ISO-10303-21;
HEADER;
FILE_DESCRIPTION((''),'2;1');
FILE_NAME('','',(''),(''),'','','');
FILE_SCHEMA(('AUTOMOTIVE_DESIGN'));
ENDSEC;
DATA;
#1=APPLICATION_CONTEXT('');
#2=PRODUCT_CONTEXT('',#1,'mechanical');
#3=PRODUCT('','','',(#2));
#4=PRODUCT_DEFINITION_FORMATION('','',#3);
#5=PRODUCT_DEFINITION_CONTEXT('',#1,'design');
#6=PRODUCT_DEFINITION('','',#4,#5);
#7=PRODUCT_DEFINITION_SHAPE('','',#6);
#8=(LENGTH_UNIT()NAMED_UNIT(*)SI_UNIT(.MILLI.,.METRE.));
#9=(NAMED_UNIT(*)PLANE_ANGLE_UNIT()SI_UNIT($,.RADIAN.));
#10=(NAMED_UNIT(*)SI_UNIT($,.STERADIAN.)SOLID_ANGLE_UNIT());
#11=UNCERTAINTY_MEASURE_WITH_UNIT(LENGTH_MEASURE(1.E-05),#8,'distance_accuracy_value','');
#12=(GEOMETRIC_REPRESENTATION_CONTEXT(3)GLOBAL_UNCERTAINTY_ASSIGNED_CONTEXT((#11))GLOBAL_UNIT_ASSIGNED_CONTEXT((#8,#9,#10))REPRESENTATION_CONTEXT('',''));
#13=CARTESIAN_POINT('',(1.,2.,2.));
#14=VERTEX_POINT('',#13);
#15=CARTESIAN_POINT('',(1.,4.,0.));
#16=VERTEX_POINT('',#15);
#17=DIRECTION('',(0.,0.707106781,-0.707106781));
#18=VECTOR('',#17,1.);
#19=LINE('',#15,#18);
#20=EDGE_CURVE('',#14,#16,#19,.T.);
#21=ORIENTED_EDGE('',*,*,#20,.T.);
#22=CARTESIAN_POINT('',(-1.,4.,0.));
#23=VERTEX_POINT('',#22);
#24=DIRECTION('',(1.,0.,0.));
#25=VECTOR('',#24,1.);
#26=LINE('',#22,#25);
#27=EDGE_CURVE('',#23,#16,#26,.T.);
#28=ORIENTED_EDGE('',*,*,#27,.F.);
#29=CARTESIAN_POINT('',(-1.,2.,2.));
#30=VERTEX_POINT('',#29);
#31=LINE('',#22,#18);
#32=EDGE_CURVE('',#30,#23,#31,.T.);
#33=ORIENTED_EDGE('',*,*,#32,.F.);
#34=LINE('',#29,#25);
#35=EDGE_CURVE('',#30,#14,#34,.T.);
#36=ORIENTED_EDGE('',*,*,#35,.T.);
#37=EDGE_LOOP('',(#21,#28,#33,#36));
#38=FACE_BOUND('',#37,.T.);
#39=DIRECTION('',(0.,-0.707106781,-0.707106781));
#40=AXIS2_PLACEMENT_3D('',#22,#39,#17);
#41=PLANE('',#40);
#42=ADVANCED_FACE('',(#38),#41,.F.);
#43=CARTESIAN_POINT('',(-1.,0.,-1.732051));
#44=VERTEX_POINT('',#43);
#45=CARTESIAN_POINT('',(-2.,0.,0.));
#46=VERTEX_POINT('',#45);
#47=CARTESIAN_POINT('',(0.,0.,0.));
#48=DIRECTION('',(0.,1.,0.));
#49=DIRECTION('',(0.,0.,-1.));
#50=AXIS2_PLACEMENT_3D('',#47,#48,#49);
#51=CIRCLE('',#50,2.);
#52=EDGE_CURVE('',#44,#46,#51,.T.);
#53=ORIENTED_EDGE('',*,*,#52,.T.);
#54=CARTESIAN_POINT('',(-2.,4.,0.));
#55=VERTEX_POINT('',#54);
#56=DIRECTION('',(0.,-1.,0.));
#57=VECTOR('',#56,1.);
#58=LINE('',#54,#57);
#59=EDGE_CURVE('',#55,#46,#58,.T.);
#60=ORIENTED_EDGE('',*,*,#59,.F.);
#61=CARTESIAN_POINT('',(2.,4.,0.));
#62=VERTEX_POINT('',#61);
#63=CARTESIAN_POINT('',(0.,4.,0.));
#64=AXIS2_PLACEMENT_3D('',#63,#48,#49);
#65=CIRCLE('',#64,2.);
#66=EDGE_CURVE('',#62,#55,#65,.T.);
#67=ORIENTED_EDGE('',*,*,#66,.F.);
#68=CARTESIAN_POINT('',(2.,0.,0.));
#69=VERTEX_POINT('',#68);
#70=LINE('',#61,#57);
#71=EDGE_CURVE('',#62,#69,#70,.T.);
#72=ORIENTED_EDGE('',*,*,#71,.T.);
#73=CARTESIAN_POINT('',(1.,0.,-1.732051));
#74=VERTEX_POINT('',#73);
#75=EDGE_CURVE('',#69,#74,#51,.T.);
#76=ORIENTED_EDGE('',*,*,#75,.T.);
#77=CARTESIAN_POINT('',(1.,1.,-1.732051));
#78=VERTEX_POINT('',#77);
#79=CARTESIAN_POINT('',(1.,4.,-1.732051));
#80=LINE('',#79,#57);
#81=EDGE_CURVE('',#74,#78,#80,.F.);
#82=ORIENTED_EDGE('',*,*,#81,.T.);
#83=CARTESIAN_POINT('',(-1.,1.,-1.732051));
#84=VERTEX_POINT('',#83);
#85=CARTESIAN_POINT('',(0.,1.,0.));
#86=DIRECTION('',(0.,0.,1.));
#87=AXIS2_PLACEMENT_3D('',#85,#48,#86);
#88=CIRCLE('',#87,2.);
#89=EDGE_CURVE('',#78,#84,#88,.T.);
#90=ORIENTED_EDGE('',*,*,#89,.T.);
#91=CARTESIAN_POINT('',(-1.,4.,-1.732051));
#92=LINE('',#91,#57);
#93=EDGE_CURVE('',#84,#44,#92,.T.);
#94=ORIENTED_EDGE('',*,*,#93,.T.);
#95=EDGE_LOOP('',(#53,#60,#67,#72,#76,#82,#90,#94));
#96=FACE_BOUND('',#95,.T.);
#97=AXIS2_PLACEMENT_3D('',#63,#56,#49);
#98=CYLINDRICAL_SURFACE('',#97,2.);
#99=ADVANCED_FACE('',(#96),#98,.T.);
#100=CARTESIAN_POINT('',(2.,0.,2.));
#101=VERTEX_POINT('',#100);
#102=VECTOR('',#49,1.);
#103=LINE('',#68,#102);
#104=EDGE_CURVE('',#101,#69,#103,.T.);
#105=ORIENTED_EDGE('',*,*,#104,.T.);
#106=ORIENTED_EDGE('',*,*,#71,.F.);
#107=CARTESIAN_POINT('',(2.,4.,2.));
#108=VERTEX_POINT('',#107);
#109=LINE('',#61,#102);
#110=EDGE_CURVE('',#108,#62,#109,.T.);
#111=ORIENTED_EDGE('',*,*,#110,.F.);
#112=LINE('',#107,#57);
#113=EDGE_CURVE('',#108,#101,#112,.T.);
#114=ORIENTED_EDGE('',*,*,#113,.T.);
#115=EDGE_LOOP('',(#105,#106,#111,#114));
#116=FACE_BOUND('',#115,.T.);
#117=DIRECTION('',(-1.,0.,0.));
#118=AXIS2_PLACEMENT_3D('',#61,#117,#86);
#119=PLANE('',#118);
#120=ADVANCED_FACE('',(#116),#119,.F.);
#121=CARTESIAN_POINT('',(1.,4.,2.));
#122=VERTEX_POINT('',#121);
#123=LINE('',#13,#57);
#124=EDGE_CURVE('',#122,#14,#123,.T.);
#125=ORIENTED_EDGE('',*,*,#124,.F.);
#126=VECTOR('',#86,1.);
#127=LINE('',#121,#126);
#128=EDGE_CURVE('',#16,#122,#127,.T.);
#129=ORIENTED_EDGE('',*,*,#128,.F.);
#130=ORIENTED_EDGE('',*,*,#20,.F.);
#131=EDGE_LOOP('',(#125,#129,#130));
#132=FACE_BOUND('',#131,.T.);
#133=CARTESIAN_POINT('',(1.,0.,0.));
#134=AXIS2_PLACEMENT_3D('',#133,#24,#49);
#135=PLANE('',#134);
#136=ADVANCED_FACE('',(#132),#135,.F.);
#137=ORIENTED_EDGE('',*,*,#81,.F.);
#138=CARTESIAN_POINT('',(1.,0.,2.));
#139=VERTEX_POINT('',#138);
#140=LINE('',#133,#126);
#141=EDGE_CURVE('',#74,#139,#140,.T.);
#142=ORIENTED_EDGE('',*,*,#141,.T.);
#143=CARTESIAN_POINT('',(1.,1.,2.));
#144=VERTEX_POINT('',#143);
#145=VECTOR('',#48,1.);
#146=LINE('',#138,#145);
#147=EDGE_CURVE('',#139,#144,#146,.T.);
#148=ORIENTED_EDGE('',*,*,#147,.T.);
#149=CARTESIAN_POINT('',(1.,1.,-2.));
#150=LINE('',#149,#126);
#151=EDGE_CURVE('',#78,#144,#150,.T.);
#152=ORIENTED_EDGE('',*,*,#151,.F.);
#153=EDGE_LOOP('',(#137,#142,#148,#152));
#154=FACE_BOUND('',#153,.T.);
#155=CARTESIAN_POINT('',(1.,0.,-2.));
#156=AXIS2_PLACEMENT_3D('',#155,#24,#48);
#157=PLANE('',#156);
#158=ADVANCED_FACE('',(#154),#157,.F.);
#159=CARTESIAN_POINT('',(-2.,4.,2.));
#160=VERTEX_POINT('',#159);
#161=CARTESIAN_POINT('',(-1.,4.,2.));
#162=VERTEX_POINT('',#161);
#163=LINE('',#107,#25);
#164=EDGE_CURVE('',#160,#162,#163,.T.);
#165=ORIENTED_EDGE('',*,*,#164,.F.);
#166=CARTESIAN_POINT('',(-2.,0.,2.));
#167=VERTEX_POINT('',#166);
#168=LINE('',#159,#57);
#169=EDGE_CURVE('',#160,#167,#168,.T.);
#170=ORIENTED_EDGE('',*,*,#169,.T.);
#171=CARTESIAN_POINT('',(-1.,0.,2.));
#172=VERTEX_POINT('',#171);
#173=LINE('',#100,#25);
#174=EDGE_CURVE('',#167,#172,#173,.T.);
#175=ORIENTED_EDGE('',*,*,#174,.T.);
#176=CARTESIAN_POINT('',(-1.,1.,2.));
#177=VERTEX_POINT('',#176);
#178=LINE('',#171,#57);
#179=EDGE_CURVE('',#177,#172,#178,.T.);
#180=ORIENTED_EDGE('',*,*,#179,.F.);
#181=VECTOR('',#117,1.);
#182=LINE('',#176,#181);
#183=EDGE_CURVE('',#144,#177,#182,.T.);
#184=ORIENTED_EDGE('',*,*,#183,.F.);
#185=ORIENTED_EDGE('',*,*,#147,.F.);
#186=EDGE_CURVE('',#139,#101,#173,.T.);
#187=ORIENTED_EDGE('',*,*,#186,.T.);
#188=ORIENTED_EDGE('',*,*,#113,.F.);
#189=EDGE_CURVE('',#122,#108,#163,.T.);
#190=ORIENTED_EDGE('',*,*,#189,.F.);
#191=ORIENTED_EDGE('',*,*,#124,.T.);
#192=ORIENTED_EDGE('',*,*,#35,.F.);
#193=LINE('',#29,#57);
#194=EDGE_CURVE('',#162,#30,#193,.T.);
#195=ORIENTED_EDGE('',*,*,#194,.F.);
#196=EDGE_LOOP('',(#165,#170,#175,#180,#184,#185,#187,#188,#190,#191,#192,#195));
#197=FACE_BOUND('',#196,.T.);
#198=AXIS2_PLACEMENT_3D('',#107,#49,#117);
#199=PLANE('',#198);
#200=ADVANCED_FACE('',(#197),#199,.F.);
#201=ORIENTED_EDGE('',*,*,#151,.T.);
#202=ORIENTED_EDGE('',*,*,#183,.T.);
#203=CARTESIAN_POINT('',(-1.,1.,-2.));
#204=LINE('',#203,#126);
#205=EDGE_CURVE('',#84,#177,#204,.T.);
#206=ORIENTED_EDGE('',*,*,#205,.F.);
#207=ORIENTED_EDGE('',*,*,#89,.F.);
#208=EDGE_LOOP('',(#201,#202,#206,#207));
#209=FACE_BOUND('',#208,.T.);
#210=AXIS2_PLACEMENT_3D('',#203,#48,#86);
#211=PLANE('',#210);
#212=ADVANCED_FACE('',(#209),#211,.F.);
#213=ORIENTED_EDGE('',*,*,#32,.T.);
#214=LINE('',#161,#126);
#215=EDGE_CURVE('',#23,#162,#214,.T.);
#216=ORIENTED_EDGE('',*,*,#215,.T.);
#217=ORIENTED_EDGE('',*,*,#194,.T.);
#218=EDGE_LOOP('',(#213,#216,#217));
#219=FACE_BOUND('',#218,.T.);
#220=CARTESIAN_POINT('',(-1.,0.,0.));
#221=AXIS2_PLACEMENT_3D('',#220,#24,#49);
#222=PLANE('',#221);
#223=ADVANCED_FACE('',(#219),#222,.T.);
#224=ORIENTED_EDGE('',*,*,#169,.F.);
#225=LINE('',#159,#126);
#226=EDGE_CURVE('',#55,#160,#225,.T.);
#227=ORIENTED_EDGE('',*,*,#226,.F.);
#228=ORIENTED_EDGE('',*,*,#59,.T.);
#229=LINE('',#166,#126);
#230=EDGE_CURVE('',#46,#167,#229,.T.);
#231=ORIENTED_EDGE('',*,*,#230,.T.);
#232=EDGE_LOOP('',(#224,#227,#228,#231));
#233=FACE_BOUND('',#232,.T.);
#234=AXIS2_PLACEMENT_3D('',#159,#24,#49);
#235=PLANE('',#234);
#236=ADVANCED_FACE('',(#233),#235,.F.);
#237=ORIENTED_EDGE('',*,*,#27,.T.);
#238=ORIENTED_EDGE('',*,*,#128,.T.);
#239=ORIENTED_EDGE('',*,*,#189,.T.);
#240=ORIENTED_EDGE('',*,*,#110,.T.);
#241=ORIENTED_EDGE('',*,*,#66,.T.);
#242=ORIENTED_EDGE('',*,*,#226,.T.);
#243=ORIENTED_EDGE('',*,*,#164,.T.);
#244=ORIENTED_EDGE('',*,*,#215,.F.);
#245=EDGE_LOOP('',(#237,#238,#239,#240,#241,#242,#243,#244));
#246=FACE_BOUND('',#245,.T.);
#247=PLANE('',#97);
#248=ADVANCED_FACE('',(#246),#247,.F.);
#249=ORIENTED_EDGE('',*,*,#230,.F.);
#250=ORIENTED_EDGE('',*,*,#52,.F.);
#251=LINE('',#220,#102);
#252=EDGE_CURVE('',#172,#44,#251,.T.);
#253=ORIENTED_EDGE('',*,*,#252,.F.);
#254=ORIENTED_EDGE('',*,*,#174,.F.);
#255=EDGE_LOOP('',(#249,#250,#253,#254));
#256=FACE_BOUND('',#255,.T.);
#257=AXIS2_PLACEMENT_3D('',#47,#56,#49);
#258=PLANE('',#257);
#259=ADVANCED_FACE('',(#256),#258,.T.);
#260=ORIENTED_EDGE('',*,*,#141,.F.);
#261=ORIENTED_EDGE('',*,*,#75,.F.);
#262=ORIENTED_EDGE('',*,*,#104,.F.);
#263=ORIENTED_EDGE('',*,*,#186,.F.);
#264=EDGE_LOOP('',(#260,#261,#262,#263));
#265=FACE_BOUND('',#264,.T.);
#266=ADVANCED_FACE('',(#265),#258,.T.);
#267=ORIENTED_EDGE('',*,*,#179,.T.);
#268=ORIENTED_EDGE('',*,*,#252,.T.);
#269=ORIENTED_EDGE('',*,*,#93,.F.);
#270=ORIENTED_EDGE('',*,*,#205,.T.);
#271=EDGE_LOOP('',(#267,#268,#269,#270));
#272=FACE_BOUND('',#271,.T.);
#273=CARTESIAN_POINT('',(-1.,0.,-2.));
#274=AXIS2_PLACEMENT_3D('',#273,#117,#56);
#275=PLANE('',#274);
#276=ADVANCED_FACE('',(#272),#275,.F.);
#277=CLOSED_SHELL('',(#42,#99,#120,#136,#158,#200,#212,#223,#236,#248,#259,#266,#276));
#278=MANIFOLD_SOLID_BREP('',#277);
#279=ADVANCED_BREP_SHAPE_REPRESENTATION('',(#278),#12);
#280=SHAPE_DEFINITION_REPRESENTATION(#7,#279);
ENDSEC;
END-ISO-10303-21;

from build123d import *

# Parameters (mm, degrees)
BOSS_EXTRUDE1_DEPTH = 4
SKETCH2_W           = 2
SKETCH2_H           = 1
CUT_EXTRUDE1_DEPTH  = 4
CUT_EXTRUDE2_DEPTH  = 1


with BuildPart() as part:
    # Sketch1 → Boss-Extrude1 (new body)
    with BuildSketch(Plane(origin=(0, 0, 0), x_dir=(1, 0, 0), z_dir=(0, 1, 0))):
        with BuildLine():
            Line((-2, -2), (-2, 0))
            ThreePointArc((-2, 0), (0, 2), (2, 0))
            Line((2, 0), (2, -2))
            Line((2, -2), (-2, -2))
        make_face()
    extrude(amount=BOSS_EXTRUDE1_DEPTH)

    # Sketch2 → Cut-Extrude1 (cut)
    with BuildSketch(Plane.XY.offset(2)):
        with Locations((0, 0.5)):
            Rectangle(SKETCH2_W, SKETCH2_H)
    extrude(amount=-CUT_EXTRUDE1_DEPTH, mode=Mode.SUBTRACT)

    # Sketch3 → Cut-Extrude2 (cut, symmetric)
    with BuildSketch(Plane(origin=(0, 0, 0), x_dir=(0, 0, -1), z_dir=(1, 0, 0))):
        Polygon((0, 4), (-2, 2), (-2, 4), align=None)
    extrude(amount=CUT_EXTRUDE2_DEPTH, both=True, mode=Mode.SUBTRACT)


solid = part.part
